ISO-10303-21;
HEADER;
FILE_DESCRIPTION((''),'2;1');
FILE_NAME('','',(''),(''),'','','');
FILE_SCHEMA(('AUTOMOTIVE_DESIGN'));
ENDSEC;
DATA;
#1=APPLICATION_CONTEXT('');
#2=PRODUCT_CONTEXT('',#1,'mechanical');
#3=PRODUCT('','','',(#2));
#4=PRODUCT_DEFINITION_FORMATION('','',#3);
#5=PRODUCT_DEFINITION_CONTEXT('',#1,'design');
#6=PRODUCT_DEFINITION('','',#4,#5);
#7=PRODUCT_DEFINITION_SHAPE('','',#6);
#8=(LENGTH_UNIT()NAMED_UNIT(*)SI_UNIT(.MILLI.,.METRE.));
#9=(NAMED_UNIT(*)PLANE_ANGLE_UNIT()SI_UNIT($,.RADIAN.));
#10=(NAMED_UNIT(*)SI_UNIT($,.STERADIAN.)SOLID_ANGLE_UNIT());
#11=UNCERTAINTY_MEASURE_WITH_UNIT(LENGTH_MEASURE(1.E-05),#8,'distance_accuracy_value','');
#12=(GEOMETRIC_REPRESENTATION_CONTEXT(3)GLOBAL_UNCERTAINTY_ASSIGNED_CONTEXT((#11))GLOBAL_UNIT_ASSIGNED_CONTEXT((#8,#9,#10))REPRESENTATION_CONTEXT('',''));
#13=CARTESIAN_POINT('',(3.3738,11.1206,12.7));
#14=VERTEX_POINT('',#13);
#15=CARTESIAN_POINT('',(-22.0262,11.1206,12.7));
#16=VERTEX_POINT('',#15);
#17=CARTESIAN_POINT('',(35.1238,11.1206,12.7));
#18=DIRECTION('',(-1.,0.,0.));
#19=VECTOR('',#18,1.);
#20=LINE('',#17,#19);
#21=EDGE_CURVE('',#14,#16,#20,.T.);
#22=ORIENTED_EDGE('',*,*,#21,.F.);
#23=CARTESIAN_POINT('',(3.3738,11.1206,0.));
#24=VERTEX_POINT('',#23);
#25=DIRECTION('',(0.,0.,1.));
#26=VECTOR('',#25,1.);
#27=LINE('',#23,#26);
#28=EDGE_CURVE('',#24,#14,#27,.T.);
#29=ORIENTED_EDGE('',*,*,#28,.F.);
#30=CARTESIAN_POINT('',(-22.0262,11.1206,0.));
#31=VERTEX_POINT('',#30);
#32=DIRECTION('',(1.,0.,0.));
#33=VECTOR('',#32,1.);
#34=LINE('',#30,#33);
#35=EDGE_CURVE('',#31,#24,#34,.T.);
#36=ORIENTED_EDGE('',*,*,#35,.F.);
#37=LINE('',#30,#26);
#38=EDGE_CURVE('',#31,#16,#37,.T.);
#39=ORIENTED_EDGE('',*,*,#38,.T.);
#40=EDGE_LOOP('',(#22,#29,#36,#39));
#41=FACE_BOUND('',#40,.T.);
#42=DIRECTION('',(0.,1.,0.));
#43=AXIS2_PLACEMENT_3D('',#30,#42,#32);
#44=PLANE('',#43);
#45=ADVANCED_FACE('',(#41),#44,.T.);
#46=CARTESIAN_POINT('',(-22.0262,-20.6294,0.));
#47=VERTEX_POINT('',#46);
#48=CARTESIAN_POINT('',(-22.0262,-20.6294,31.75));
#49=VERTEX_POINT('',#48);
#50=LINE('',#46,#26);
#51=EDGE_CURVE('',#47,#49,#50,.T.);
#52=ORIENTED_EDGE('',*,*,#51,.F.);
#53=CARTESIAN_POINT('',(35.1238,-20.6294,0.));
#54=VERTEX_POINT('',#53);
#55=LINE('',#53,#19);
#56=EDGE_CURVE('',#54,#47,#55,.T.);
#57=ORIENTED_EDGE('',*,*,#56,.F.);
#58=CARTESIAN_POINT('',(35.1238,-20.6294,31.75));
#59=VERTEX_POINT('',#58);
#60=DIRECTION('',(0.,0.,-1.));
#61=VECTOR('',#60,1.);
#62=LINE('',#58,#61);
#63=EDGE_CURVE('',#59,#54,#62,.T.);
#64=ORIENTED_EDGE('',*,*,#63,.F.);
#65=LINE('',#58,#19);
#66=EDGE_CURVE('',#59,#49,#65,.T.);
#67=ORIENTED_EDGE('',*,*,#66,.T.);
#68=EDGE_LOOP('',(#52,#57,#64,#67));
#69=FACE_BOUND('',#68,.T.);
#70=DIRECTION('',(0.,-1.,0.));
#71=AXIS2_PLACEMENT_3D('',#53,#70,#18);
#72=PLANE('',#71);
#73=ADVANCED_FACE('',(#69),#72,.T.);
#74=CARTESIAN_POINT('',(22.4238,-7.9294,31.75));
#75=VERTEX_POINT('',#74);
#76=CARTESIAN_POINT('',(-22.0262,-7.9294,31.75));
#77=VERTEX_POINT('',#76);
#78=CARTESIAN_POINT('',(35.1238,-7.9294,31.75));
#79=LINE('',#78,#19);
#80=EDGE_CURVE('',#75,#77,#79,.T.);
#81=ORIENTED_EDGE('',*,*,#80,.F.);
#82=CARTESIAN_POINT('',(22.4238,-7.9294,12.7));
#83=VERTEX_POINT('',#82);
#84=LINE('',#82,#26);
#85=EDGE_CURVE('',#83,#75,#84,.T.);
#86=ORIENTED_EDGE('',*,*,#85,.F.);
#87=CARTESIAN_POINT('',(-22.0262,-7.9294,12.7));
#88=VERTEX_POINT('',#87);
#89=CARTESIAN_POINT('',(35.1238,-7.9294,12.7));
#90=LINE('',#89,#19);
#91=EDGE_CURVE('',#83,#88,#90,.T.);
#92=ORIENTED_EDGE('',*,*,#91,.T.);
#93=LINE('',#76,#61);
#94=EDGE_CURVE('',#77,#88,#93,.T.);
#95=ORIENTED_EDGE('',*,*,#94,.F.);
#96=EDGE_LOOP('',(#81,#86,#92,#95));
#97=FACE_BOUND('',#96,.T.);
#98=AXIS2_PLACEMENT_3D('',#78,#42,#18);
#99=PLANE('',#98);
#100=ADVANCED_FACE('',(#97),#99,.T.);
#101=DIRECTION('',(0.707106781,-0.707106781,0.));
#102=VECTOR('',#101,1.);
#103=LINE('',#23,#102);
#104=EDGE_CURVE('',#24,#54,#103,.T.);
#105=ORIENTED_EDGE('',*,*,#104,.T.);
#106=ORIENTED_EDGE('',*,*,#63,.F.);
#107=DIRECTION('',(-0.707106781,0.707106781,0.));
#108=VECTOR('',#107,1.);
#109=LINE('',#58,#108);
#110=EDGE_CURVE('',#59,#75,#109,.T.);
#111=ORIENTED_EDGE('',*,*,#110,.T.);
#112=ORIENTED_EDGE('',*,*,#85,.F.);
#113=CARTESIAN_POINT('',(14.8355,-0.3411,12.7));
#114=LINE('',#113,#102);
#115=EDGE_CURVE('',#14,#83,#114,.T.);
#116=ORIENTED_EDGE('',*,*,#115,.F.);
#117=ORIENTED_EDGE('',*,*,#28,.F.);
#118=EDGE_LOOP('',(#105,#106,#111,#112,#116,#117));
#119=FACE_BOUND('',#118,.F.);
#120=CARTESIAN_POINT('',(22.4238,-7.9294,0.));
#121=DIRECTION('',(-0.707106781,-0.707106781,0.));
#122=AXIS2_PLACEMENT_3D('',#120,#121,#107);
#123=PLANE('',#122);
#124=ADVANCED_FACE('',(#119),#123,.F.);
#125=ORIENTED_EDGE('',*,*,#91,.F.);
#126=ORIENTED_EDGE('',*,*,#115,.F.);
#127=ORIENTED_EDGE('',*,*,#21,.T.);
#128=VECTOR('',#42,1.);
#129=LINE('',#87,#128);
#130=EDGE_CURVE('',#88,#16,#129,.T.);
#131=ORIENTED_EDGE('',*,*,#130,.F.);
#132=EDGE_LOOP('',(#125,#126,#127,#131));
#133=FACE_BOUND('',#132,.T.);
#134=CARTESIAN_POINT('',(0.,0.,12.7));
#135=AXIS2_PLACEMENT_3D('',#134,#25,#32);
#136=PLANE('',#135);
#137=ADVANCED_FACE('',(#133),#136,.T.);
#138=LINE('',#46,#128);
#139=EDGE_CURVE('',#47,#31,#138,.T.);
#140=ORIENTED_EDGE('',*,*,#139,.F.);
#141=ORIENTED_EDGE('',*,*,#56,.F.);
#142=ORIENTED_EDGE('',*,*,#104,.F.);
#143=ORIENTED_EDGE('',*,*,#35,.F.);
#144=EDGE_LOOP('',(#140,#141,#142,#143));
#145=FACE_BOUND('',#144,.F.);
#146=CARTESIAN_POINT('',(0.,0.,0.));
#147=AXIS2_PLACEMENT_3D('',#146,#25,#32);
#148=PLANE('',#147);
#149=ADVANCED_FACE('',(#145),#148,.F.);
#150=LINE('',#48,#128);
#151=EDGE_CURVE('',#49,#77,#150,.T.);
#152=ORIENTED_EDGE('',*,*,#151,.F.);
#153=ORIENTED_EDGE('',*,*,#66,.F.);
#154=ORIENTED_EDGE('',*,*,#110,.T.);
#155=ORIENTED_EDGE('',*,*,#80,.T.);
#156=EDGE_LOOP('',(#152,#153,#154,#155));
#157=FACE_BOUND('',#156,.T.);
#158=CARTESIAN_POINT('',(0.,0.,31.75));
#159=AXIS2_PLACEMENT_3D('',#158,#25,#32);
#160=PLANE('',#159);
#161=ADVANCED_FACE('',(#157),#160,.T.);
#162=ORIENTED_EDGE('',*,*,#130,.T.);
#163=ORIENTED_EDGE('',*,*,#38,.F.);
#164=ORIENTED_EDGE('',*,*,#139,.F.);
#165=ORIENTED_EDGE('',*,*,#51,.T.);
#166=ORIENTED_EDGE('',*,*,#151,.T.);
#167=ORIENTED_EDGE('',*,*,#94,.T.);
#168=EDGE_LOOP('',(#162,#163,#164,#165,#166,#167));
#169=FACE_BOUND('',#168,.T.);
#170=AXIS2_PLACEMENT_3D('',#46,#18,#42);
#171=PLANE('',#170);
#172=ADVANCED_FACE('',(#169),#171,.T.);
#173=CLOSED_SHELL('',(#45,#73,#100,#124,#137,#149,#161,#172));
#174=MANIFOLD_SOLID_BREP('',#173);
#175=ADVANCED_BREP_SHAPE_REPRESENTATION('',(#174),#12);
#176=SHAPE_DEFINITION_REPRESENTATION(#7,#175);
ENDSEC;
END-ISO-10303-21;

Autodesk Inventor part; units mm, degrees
ref_plane "YZ Plane" through (0, 0, 0) normal (1, 0, 0) x (0, 1, 0)
ref_plane "XZ Plane" through (0, 0, 0) normal (0, 1, 0) x (-1, 0, 0)
ref_plane "XY Plane" through (0, 0, 0) normal (0, 0, 1) x (1, 0, 0)
sketch "Sketch1" plane through (0, 0, 0) normal (0, 0, 1) x (1, 0, 0)
  line L0 (-22.0262, 11.1206) -> (35.1238, 11.1206)
  line L1 (35.1238, 11.1206) -> (35.1238, -20.6294)
  line L2 (35.1238, -20.6294) -> (-22.0262, -20.6294)
  line L3 (-22.0262, -20.6294) -> (-22.0262, 11.1206)
  point P0 (0, 0)
  dimension "d0" = 57.15
  dimension "d1" = 31.75
extrude "Extrusion1" add sketch "Sketch1" along normal blind 31.75
sketch "Sketch2" plane through (0, 0, 31.75) normal (0, 0, 1) x (1, 0, 0)
  line L0 (35.1238, 11.1206) -> (-22.0262, 11.1206) projected
  line L1 (-22.0262, 11.1206) -> (35.1238, 11.1206)
  line L2 (35.1238, 11.1206) -> (35.1238, -7.9294)
  line L3 (35.1238, -7.9294) -> (-22.0262, -7.9294)
  line L4 (-22.0262, -7.9294) -> (-22.0262, 11.1206)
  point P0 (0, 0)
  dimension "d4" = 19.05
  dimension "d5" = 57.15
extrude "Extrusion2" cut sketch "Sketch2" against normal blind 19.05
sketch "Sketch3" plane through (0, 0, 31.75) normal (0, 0, 1) x (1, 0, 0)
  line L0 (-22.0262, -20.6294) -> (35.1238, -20.6294) projected
  line L1 (35.1238, -20.6294) -> (22.4238, -7.9294)
  line L2 (35.1238, -7.9294) -> (-22.0262, -7.9294) projected
  line L3 (22.4238, -7.9294) -> (35.1238, -7.9294)
  line L4 (35.1238, 11.1206) -> (35.1238, -20.6294) projected
  line L5 (35.1238, -7.9294) -> (35.1238, -20.6294)
  point P0 (0, 0)
  dimension "d8" = 44.45
extrude "Extrusion3" cut sketch "Sketch3" against normal blind 19.05
sketch "Sketch4" plane through (0, 0, 0) normal (0, 0, -1) x (-1, 0, 0)
  line L0 (-35.1238, -20.6294) -> (-22.4238, -7.9294) projected
  line L1 (-35.1238, -20.6294) -> (-3.3738, 11.1206)
  line L2 (22.0262, 11.1206) -> (-35.1238, 11.1206) projected
  line L3 (-3.3738, 11.1206) -> (-35.1238, 11.1206)
  line L4 (-35.1238, 11.1206) -> (-35.1238, -20.6294) projected
  line L5 (-35.1238, 11.1206) -> (-35.1238, -20.6294)
  point P0 (0, 0)
  dimension "d11" = 25.4
extrude "Extrusion4" cut sketch "Sketch4" against normal blind 19.05
properties part number "Figure 7_28_6"
